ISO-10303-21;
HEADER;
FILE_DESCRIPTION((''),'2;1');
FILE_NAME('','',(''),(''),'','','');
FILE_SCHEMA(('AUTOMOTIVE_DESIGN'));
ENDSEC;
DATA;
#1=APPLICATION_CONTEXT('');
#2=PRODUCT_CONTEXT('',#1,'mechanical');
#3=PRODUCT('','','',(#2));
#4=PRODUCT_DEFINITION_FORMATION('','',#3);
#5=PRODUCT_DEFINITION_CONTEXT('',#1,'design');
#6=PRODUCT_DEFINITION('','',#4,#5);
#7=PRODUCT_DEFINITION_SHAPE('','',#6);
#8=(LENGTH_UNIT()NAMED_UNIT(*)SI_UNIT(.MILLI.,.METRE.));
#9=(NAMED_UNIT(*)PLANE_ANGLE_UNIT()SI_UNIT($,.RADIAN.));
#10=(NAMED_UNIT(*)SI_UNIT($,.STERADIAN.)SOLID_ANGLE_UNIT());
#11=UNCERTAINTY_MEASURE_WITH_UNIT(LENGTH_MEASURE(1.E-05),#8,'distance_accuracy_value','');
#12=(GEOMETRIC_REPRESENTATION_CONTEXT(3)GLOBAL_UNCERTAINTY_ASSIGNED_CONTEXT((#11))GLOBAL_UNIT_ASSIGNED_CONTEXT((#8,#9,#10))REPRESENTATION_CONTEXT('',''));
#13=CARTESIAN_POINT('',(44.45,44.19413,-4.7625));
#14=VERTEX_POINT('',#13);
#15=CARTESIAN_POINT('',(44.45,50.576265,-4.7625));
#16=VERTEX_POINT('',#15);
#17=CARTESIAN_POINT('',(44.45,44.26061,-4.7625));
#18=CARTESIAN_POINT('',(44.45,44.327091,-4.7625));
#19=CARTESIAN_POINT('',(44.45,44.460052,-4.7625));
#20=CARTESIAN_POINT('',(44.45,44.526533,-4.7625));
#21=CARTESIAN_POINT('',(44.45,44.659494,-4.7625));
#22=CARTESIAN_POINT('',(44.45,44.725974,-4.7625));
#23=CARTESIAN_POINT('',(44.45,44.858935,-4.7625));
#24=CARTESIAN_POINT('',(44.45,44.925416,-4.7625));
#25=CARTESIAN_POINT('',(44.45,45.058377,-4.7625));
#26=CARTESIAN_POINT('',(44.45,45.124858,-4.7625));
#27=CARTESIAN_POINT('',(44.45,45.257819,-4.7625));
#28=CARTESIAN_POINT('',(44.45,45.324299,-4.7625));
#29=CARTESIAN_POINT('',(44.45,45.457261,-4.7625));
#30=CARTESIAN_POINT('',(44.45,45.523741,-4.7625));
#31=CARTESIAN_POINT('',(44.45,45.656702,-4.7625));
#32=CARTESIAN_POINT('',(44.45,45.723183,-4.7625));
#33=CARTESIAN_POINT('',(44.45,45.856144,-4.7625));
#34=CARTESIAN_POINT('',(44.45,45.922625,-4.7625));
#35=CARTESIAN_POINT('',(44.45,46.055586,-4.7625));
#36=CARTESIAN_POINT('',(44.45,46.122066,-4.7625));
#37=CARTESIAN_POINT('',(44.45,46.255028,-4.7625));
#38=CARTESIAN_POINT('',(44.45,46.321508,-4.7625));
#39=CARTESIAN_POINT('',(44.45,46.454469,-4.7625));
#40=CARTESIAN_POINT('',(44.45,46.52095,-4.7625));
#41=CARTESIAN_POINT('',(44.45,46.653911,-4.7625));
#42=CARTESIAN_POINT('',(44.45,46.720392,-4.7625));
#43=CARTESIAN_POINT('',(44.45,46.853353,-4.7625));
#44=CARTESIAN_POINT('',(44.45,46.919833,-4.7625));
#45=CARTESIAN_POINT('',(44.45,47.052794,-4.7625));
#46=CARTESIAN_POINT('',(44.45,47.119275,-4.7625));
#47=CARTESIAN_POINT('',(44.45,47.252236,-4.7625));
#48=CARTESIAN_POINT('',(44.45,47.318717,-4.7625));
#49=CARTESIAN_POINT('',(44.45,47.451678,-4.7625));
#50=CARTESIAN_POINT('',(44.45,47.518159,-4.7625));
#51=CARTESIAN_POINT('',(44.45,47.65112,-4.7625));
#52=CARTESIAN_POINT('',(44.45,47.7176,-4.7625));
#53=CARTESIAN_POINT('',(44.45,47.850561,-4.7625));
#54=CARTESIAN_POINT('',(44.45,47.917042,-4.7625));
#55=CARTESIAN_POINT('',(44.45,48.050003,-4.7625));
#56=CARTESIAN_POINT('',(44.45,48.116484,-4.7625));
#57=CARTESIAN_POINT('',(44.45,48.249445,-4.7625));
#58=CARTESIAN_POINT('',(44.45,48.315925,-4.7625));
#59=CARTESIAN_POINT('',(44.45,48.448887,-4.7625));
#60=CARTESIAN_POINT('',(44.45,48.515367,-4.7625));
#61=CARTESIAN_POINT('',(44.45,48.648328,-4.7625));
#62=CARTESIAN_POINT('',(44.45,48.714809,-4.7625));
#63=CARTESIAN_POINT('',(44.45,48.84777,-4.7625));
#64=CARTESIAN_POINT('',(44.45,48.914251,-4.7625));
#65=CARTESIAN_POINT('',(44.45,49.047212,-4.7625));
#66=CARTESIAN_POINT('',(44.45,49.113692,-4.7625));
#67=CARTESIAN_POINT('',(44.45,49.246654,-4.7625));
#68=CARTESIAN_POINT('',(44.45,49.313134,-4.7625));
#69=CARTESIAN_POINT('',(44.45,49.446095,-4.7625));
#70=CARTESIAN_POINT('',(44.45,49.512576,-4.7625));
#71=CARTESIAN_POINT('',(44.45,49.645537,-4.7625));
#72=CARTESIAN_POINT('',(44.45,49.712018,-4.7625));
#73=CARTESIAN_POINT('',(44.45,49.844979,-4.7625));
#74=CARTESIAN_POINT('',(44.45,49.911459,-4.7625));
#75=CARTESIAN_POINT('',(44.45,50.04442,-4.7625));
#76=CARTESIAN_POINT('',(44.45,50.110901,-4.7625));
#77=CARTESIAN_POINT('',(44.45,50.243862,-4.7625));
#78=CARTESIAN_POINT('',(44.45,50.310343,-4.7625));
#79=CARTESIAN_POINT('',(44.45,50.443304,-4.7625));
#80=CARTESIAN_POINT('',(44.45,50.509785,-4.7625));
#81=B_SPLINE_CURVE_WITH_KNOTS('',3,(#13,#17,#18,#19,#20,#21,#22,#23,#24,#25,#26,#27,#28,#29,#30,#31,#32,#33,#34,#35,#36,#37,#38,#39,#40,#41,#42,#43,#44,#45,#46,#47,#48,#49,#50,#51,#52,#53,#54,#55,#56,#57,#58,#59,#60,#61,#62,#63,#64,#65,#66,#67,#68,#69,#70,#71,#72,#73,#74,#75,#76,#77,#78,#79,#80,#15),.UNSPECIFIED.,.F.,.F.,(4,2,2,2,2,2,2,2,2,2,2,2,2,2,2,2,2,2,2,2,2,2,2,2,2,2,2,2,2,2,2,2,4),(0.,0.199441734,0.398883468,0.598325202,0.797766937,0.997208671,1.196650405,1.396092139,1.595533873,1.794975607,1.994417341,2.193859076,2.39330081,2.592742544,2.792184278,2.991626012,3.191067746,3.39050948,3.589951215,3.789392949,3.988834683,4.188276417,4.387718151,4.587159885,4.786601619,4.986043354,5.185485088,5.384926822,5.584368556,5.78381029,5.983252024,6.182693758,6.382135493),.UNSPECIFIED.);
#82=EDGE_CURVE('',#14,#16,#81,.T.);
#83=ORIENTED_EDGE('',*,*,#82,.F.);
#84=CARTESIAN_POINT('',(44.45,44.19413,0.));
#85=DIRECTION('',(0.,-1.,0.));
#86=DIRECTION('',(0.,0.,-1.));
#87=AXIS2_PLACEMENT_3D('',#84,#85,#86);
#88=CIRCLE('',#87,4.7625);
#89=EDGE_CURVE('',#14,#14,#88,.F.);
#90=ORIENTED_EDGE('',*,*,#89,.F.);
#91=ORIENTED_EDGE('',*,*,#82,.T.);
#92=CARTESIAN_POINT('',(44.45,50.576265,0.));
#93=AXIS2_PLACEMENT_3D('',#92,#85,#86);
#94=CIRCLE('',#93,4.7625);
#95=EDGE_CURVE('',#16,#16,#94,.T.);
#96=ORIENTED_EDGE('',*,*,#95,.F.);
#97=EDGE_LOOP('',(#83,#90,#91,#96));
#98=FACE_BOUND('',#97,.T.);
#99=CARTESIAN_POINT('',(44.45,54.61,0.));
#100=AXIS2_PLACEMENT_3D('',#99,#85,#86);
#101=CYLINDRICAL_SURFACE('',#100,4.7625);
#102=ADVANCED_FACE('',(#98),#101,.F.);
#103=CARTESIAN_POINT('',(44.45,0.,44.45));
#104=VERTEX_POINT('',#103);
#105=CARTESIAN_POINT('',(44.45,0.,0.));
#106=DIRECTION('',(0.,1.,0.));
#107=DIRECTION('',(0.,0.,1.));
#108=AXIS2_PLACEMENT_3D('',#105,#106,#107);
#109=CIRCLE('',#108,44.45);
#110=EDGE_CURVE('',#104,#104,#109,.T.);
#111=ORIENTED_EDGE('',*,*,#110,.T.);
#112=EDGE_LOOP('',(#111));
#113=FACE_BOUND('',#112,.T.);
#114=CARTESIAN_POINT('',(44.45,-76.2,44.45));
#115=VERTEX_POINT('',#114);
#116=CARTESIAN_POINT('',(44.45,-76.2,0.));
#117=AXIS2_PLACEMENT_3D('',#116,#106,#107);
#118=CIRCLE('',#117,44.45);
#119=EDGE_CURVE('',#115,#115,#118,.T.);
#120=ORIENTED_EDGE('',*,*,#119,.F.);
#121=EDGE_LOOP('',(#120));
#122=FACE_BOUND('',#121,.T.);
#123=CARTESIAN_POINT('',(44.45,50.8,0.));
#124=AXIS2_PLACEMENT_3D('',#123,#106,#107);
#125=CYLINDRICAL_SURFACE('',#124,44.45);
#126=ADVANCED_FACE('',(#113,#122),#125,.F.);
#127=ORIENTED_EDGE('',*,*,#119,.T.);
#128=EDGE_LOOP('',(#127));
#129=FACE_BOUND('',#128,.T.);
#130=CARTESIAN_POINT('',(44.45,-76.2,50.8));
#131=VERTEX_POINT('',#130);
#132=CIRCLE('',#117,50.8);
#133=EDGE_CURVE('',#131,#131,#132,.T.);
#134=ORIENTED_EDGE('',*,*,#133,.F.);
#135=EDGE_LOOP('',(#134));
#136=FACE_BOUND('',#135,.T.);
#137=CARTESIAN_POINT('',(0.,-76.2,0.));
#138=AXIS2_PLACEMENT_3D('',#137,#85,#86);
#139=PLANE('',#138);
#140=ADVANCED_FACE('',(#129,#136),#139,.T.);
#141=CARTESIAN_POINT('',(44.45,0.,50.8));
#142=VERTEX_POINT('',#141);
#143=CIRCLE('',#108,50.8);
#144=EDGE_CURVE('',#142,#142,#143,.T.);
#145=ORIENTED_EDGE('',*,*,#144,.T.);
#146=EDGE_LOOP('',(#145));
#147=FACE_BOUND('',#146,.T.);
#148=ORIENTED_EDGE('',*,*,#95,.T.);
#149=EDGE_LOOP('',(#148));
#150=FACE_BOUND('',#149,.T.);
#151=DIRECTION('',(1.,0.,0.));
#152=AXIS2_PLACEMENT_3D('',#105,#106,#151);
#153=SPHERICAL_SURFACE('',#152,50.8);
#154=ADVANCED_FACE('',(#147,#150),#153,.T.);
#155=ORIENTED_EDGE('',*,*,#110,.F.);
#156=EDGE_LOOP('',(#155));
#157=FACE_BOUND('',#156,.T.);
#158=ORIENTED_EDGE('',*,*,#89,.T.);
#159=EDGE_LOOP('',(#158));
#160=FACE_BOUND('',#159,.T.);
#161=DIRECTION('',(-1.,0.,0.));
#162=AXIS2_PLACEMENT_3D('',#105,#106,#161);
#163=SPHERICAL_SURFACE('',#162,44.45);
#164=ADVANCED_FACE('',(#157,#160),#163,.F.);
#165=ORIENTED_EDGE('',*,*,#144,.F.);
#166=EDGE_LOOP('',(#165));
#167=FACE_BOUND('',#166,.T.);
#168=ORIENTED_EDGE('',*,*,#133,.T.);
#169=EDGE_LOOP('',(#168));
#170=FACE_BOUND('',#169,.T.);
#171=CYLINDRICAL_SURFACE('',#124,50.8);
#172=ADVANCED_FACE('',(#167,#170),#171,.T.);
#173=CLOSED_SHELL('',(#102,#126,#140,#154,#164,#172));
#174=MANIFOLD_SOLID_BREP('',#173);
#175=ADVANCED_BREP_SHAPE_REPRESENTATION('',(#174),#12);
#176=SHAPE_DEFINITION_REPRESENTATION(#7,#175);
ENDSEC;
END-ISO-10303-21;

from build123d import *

# Parameters (mm, degrees)
SKETCH2_R          = 4.7625
CUT_EXTRUDE2_DEPTH = 54.61


with BuildPart() as part:
    # Sketch1 → Revolve1 (revolve)
    with BuildSketch(Plane.XY, mode=Mode.PRIVATE) as revolve1_sk:
        with BuildLine():
            Line((44.45, 50.8), (44.45, 44.45))
            ThreePointArc((44.45, 44.45), (13.019103576, 31.430896424), (0, 0))
            Line((0, 0), (0, -76.2))
            Line((0, -76.2), (-6.35, -76.2))
            Line((-6.35, -76.2), (-6.35, 0))
            ThreePointArc((-6.35, 0), (8.528975516, 35.921024484), (44.45, 50.8))
        make_face()
    revolve(revolve1_sk.sketch.rotate(Axis((44.45, 50.8, 0), (0, -1, 0)), 270), axis=Axis((44.45, 50.8, 0), (0, -1, 0)))

    # Sketch2 → Cut-Extrude2 (cut)
    with BuildSketch(Plane(origin=(0, 0, 0), x_dir=(1, 0, 0), z_dir=(0, 1, 0))):
        with Locations(Location((44.45, 0, 0), (0, 0, 90))):
            Circle(SKETCH2_R)
    extrude(amount=CUT_EXTRUDE2_DEPTH, mode=Mode.SUBTRACT)


solid = part.part
